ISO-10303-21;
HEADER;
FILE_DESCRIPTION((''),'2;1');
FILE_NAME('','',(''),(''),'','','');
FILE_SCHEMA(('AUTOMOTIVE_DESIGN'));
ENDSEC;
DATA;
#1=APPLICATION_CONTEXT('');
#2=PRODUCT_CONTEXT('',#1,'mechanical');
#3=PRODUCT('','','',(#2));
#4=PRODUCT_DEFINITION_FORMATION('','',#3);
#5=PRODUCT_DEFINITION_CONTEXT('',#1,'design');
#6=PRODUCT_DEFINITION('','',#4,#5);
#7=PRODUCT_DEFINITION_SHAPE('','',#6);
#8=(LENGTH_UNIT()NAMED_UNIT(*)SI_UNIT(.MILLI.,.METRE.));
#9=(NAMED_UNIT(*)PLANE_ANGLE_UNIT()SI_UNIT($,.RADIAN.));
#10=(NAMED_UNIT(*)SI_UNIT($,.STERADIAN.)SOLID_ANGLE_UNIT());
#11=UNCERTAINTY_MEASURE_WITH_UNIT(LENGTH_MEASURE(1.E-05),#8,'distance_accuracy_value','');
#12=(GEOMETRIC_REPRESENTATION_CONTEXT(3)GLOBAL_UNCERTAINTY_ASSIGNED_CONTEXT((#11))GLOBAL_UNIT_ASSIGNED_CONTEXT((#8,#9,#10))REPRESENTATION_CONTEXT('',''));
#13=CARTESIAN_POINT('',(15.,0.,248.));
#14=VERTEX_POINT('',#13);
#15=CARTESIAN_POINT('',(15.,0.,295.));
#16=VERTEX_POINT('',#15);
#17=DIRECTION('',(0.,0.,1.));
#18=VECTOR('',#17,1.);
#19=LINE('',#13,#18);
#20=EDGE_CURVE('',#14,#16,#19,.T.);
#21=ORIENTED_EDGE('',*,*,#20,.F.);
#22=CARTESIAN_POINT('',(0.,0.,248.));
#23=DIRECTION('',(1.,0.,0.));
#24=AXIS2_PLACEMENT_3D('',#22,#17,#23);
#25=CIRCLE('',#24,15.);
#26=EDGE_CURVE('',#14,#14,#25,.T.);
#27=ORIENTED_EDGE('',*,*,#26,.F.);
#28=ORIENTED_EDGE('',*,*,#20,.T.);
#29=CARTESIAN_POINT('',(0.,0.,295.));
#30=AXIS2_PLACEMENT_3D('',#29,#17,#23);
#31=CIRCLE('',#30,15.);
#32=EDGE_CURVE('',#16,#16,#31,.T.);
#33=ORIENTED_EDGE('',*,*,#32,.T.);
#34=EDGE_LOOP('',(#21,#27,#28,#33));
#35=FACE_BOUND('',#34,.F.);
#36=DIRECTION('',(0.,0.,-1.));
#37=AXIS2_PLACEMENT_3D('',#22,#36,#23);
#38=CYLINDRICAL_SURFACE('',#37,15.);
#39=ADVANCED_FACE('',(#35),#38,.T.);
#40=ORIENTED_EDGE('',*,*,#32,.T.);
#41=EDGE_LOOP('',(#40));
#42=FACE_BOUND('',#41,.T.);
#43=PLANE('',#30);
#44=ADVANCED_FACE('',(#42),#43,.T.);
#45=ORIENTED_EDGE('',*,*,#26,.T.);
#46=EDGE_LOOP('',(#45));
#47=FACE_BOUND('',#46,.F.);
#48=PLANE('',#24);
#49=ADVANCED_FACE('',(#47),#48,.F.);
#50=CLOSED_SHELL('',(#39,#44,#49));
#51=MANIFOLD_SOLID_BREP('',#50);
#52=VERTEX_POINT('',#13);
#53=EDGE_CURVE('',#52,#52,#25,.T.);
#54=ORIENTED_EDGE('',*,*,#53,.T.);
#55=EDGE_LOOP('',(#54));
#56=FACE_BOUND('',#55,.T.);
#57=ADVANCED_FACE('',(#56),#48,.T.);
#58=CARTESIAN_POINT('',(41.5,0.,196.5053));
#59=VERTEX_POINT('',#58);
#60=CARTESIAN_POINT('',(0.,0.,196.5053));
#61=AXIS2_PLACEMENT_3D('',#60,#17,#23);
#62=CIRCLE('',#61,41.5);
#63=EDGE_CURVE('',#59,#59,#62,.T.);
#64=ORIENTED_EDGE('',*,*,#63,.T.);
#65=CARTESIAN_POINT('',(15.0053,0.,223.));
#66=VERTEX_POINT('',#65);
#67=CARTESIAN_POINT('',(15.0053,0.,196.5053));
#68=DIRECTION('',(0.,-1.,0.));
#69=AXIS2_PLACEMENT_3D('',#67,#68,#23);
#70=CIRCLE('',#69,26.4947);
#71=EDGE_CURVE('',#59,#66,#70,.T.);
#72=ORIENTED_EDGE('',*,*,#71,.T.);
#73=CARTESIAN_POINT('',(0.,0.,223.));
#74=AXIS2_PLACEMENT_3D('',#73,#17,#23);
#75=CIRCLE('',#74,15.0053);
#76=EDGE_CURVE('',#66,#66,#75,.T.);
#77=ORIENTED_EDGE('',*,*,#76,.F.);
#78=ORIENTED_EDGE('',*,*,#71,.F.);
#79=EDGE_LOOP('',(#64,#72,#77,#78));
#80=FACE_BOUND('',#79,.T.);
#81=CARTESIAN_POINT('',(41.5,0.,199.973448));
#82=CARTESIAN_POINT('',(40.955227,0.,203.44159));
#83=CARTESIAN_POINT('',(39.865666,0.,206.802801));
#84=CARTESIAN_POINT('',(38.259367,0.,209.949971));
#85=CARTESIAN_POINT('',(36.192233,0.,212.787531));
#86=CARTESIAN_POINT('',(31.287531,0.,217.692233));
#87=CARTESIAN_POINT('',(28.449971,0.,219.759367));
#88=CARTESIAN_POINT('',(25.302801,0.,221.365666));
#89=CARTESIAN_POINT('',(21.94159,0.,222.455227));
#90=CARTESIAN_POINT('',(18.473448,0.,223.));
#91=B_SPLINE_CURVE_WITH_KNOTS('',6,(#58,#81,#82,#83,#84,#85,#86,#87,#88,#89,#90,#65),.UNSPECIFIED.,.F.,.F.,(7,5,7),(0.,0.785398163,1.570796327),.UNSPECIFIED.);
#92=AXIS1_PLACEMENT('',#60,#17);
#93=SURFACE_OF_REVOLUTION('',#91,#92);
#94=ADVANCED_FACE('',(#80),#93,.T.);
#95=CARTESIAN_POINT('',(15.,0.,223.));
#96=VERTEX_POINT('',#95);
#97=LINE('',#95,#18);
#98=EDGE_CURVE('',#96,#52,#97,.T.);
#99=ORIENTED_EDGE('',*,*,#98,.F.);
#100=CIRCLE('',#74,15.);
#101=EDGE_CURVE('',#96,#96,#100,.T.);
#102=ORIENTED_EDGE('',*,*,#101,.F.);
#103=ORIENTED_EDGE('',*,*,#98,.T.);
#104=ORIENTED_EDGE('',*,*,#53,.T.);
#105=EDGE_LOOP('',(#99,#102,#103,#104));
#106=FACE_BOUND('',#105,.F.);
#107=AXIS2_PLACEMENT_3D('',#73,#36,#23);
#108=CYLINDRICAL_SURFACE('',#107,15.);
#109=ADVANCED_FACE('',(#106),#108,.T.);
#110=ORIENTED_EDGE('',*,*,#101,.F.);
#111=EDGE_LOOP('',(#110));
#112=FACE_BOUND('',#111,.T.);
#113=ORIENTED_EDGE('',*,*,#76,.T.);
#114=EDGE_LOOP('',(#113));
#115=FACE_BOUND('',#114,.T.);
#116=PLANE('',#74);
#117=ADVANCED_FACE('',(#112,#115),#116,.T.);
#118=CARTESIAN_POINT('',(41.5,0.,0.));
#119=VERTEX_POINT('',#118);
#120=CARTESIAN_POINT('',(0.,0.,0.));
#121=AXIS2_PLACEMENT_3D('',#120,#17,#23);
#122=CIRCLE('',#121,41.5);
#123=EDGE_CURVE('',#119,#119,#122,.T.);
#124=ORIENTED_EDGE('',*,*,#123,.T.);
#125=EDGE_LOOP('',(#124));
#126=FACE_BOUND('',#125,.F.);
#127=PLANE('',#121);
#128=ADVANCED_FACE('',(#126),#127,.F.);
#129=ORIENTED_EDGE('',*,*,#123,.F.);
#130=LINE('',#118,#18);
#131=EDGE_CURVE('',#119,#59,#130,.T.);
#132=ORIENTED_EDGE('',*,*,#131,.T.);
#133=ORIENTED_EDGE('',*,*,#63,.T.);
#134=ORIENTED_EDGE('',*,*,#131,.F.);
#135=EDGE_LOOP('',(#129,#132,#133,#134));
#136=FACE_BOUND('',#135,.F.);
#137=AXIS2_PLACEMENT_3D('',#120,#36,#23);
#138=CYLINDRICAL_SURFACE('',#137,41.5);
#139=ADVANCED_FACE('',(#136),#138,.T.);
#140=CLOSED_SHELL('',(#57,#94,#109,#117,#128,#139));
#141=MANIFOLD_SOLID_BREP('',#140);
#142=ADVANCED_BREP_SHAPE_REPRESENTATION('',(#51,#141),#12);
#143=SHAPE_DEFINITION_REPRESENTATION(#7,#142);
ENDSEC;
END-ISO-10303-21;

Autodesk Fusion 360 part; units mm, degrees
sketch "Sketch1" plane through (0, 0, 0) normal (0, 0, 1) x (1, 0, 0)
  circle A0 centre (0, 0) radius 41.5
  dimension "d1" = 83
extrude "Extrude1" add sketch "Sketch1" along normal blind 223 makes body 1
sketch "Sketch2" plane through (0, 0, 223) normal (0, 0, 1) x (1, 0, 0)
  circle A0 centre (0, 0) radius 41.5
  circle A1 centre (0, 0) radius 15
  circle A2 centre (0, 0) radius 15
  dimension "d4" = 30
extrude "Extrude2" add sketch "Sketch2" along normal blind 25 contours A1 A2 bodies 1
fillet "Fillet1" radius 26.5 1 edges at (-38.6916, -15.007, 223) on bodies 1
sketch "Sketch3" plane through (0, 0, 248) normal (0, 0, 1) x (1, 0, 0)
  circle A0 centre (0, 0) radius 15
  circle A1 centre (0, 0) radius 15
extrude "Extrude3" add sketch "Sketch3" along normal blind 47 separate body makes body 2
